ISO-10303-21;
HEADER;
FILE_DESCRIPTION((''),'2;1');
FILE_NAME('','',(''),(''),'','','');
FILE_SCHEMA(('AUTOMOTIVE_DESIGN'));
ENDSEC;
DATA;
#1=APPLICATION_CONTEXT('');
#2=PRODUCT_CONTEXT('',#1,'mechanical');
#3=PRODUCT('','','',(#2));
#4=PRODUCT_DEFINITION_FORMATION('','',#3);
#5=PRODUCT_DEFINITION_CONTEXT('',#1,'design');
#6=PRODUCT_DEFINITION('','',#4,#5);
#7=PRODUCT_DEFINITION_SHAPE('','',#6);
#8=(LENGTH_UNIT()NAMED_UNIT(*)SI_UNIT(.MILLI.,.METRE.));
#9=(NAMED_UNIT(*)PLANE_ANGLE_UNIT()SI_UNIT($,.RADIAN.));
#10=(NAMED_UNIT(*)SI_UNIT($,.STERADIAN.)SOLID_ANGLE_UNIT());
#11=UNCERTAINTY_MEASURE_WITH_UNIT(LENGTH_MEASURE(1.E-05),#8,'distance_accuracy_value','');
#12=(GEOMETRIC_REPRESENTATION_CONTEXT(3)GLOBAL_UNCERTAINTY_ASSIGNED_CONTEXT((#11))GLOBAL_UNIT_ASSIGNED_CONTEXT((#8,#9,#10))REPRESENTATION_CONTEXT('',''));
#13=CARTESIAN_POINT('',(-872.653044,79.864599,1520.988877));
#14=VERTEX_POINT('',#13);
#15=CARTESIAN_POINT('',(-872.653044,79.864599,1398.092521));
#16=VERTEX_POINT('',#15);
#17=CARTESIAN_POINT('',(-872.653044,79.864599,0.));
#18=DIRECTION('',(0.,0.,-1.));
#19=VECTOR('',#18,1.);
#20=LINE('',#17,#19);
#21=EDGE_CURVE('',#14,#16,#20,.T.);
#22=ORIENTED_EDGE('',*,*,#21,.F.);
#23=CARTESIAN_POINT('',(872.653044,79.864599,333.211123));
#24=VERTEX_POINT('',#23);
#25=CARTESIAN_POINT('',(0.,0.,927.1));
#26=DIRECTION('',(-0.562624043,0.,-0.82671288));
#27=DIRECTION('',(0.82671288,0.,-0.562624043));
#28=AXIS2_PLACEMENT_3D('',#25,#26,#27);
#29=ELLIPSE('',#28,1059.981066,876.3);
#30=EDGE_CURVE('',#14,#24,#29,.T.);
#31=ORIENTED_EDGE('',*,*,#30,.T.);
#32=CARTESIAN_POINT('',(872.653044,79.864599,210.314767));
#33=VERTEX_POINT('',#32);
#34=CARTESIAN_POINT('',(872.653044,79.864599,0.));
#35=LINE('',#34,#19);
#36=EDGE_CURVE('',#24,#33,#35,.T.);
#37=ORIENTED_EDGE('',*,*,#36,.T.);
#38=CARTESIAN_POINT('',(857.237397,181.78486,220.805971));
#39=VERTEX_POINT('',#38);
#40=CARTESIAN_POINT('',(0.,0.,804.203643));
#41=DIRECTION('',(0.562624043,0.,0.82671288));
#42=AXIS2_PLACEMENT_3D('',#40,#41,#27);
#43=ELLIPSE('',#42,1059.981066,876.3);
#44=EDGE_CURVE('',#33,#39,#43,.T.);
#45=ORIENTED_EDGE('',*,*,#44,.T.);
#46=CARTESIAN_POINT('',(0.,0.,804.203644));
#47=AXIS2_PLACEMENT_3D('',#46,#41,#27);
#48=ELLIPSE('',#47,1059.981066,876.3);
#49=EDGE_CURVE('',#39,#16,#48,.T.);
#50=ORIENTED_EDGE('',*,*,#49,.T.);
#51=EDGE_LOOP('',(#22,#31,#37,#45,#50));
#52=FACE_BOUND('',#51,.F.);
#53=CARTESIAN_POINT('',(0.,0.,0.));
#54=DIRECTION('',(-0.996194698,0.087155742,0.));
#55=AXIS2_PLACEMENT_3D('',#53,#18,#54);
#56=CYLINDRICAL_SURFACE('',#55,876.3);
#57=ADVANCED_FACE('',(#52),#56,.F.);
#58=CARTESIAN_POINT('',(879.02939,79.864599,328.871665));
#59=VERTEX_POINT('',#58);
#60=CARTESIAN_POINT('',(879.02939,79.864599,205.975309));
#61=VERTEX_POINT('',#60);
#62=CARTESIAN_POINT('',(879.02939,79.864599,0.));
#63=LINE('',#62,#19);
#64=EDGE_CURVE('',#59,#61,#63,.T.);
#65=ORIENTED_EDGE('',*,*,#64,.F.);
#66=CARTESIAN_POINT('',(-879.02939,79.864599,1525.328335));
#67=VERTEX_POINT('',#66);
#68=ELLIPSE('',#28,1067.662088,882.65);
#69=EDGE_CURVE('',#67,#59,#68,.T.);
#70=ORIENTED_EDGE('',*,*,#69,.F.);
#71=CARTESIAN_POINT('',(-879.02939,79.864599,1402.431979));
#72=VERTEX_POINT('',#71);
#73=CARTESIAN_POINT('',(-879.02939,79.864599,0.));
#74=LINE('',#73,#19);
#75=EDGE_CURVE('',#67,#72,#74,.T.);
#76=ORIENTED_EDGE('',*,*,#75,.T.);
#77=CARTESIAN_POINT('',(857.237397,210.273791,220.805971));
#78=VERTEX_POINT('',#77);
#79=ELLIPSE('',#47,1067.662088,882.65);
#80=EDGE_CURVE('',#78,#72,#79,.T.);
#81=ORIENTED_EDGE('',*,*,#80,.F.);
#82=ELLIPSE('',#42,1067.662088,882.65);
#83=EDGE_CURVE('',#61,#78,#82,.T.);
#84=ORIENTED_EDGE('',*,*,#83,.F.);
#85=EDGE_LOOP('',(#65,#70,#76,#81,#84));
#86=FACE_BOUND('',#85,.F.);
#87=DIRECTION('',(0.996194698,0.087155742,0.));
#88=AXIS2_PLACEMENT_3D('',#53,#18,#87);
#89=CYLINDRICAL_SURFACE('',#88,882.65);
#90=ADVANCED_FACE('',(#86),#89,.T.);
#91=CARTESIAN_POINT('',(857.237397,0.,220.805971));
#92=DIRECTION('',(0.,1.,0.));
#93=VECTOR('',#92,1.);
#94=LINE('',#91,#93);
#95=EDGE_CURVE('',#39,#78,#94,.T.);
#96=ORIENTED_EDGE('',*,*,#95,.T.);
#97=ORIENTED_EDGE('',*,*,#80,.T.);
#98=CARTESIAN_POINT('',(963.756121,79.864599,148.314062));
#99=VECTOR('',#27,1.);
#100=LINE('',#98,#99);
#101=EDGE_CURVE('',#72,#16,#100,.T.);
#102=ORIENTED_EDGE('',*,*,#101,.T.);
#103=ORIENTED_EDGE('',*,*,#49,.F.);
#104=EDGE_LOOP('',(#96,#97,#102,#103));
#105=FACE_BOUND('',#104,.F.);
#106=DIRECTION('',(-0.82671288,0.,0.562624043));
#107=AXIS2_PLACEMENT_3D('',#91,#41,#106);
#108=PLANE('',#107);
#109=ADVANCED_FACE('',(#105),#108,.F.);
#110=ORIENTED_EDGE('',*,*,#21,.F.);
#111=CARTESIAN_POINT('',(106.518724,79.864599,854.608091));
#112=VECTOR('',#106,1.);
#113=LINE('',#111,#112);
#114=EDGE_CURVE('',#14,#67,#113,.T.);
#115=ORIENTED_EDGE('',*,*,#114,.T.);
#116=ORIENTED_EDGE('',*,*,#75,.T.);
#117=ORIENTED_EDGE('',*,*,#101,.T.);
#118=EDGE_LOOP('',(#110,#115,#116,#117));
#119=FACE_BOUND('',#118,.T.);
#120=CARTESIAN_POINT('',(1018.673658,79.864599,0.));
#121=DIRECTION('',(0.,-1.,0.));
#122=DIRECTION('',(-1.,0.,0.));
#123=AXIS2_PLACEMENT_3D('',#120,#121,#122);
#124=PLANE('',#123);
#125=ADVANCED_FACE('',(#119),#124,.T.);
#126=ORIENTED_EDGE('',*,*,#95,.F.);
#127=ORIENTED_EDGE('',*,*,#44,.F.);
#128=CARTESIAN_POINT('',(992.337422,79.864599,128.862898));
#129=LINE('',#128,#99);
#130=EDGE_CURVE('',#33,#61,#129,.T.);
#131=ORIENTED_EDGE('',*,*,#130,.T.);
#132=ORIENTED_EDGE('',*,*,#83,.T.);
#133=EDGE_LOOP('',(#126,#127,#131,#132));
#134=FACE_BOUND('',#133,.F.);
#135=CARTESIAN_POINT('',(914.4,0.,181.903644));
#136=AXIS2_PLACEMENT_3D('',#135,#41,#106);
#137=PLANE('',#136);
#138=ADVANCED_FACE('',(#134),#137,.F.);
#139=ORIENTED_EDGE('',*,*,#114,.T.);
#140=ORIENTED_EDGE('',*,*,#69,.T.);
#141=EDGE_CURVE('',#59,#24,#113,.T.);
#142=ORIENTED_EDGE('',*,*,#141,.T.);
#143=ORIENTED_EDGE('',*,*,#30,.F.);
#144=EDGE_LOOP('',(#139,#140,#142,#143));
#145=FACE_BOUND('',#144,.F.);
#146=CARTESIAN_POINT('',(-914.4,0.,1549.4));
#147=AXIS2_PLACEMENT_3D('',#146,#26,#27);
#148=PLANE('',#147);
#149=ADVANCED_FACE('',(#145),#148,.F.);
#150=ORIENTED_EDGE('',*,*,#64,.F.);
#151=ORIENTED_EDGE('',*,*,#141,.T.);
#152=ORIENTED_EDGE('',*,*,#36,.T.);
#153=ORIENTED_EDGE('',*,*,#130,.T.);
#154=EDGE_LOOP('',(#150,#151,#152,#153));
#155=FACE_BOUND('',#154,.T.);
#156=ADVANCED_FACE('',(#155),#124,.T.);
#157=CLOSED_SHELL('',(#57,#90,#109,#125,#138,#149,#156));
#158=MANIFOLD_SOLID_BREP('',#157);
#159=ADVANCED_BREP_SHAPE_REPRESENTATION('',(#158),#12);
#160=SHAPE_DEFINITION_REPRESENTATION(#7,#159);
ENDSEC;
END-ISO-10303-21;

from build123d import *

# Parameters (mm, degrees)
F1_DEPTH = 1752.6
F3_DEPTH = 882.651
F6_DEPTH = 882.651
F7_DEPTH = 1525.507545


with BuildPart() as f1:
    # F0 (on Top) → F1 (new body)
    with BuildSketch(Plane.XY):
        with BuildLine():
            Line((879.29125, 0), (879.29125, 76.928016))
            ThreePointArc((879.29125, 76.928016), (0, 882.65), (-879.29125, 76.928016))
            Line((-879.29125, 76.928016), (-879.29125, 0))
            Line((-879.29125, 0), (879.29125, 0))
        make_face()
        with BuildLine():
            ThreePointArc((-872.965414, 76.374577), (0, 876.3), (872.965414, 76.374577))
            Line((872.965414, 76.374577), (872.965414, 21.737557))
            Line((872.965414, 21.737557), (-872.965414, 21.737557))
            Line((-872.965414, 21.737557), (-872.965414, 76.374577))
        make_face(mode=Mode.SUBTRACT)
    extrude(amount=F1_DEPTH)

    # F2 (on face) → F3 (cut, through all)
    with BuildSketch(Plane.XZ):
        Polygon((-914.4, 1821.486473), (-914.4, 1549.4), (914.4, 304.8), (994.86959, 1821.486473), align=None)
    extrude(amount=-F3_DEPTH, mode=Mode.SUBTRACT)

    # F4 (on face) → F6 (cut, through all)
    with BuildSketch(Plane.XZ):
        Polygon((857.237397, 220.805971), (-914.4, 1426.503644), (-914.4, 0), (914.4, 0), (914.4, 181.903644), align=None)
    extrude(amount=-F6_DEPTH, mode=Mode.SUBTRACT)

    # F5 (on Top) → F7 (cut, through all)
    with BuildSketch(Plane.XY):
        Polygon((-1011.60562, 79.864599), (-1011.60562, 0), (1011.60562, 0), (1018.673658, 79.864599), align=None)
    extrude(amount=F7_DEPTH, mode=Mode.SUBTRACT)


solid = f1.part
